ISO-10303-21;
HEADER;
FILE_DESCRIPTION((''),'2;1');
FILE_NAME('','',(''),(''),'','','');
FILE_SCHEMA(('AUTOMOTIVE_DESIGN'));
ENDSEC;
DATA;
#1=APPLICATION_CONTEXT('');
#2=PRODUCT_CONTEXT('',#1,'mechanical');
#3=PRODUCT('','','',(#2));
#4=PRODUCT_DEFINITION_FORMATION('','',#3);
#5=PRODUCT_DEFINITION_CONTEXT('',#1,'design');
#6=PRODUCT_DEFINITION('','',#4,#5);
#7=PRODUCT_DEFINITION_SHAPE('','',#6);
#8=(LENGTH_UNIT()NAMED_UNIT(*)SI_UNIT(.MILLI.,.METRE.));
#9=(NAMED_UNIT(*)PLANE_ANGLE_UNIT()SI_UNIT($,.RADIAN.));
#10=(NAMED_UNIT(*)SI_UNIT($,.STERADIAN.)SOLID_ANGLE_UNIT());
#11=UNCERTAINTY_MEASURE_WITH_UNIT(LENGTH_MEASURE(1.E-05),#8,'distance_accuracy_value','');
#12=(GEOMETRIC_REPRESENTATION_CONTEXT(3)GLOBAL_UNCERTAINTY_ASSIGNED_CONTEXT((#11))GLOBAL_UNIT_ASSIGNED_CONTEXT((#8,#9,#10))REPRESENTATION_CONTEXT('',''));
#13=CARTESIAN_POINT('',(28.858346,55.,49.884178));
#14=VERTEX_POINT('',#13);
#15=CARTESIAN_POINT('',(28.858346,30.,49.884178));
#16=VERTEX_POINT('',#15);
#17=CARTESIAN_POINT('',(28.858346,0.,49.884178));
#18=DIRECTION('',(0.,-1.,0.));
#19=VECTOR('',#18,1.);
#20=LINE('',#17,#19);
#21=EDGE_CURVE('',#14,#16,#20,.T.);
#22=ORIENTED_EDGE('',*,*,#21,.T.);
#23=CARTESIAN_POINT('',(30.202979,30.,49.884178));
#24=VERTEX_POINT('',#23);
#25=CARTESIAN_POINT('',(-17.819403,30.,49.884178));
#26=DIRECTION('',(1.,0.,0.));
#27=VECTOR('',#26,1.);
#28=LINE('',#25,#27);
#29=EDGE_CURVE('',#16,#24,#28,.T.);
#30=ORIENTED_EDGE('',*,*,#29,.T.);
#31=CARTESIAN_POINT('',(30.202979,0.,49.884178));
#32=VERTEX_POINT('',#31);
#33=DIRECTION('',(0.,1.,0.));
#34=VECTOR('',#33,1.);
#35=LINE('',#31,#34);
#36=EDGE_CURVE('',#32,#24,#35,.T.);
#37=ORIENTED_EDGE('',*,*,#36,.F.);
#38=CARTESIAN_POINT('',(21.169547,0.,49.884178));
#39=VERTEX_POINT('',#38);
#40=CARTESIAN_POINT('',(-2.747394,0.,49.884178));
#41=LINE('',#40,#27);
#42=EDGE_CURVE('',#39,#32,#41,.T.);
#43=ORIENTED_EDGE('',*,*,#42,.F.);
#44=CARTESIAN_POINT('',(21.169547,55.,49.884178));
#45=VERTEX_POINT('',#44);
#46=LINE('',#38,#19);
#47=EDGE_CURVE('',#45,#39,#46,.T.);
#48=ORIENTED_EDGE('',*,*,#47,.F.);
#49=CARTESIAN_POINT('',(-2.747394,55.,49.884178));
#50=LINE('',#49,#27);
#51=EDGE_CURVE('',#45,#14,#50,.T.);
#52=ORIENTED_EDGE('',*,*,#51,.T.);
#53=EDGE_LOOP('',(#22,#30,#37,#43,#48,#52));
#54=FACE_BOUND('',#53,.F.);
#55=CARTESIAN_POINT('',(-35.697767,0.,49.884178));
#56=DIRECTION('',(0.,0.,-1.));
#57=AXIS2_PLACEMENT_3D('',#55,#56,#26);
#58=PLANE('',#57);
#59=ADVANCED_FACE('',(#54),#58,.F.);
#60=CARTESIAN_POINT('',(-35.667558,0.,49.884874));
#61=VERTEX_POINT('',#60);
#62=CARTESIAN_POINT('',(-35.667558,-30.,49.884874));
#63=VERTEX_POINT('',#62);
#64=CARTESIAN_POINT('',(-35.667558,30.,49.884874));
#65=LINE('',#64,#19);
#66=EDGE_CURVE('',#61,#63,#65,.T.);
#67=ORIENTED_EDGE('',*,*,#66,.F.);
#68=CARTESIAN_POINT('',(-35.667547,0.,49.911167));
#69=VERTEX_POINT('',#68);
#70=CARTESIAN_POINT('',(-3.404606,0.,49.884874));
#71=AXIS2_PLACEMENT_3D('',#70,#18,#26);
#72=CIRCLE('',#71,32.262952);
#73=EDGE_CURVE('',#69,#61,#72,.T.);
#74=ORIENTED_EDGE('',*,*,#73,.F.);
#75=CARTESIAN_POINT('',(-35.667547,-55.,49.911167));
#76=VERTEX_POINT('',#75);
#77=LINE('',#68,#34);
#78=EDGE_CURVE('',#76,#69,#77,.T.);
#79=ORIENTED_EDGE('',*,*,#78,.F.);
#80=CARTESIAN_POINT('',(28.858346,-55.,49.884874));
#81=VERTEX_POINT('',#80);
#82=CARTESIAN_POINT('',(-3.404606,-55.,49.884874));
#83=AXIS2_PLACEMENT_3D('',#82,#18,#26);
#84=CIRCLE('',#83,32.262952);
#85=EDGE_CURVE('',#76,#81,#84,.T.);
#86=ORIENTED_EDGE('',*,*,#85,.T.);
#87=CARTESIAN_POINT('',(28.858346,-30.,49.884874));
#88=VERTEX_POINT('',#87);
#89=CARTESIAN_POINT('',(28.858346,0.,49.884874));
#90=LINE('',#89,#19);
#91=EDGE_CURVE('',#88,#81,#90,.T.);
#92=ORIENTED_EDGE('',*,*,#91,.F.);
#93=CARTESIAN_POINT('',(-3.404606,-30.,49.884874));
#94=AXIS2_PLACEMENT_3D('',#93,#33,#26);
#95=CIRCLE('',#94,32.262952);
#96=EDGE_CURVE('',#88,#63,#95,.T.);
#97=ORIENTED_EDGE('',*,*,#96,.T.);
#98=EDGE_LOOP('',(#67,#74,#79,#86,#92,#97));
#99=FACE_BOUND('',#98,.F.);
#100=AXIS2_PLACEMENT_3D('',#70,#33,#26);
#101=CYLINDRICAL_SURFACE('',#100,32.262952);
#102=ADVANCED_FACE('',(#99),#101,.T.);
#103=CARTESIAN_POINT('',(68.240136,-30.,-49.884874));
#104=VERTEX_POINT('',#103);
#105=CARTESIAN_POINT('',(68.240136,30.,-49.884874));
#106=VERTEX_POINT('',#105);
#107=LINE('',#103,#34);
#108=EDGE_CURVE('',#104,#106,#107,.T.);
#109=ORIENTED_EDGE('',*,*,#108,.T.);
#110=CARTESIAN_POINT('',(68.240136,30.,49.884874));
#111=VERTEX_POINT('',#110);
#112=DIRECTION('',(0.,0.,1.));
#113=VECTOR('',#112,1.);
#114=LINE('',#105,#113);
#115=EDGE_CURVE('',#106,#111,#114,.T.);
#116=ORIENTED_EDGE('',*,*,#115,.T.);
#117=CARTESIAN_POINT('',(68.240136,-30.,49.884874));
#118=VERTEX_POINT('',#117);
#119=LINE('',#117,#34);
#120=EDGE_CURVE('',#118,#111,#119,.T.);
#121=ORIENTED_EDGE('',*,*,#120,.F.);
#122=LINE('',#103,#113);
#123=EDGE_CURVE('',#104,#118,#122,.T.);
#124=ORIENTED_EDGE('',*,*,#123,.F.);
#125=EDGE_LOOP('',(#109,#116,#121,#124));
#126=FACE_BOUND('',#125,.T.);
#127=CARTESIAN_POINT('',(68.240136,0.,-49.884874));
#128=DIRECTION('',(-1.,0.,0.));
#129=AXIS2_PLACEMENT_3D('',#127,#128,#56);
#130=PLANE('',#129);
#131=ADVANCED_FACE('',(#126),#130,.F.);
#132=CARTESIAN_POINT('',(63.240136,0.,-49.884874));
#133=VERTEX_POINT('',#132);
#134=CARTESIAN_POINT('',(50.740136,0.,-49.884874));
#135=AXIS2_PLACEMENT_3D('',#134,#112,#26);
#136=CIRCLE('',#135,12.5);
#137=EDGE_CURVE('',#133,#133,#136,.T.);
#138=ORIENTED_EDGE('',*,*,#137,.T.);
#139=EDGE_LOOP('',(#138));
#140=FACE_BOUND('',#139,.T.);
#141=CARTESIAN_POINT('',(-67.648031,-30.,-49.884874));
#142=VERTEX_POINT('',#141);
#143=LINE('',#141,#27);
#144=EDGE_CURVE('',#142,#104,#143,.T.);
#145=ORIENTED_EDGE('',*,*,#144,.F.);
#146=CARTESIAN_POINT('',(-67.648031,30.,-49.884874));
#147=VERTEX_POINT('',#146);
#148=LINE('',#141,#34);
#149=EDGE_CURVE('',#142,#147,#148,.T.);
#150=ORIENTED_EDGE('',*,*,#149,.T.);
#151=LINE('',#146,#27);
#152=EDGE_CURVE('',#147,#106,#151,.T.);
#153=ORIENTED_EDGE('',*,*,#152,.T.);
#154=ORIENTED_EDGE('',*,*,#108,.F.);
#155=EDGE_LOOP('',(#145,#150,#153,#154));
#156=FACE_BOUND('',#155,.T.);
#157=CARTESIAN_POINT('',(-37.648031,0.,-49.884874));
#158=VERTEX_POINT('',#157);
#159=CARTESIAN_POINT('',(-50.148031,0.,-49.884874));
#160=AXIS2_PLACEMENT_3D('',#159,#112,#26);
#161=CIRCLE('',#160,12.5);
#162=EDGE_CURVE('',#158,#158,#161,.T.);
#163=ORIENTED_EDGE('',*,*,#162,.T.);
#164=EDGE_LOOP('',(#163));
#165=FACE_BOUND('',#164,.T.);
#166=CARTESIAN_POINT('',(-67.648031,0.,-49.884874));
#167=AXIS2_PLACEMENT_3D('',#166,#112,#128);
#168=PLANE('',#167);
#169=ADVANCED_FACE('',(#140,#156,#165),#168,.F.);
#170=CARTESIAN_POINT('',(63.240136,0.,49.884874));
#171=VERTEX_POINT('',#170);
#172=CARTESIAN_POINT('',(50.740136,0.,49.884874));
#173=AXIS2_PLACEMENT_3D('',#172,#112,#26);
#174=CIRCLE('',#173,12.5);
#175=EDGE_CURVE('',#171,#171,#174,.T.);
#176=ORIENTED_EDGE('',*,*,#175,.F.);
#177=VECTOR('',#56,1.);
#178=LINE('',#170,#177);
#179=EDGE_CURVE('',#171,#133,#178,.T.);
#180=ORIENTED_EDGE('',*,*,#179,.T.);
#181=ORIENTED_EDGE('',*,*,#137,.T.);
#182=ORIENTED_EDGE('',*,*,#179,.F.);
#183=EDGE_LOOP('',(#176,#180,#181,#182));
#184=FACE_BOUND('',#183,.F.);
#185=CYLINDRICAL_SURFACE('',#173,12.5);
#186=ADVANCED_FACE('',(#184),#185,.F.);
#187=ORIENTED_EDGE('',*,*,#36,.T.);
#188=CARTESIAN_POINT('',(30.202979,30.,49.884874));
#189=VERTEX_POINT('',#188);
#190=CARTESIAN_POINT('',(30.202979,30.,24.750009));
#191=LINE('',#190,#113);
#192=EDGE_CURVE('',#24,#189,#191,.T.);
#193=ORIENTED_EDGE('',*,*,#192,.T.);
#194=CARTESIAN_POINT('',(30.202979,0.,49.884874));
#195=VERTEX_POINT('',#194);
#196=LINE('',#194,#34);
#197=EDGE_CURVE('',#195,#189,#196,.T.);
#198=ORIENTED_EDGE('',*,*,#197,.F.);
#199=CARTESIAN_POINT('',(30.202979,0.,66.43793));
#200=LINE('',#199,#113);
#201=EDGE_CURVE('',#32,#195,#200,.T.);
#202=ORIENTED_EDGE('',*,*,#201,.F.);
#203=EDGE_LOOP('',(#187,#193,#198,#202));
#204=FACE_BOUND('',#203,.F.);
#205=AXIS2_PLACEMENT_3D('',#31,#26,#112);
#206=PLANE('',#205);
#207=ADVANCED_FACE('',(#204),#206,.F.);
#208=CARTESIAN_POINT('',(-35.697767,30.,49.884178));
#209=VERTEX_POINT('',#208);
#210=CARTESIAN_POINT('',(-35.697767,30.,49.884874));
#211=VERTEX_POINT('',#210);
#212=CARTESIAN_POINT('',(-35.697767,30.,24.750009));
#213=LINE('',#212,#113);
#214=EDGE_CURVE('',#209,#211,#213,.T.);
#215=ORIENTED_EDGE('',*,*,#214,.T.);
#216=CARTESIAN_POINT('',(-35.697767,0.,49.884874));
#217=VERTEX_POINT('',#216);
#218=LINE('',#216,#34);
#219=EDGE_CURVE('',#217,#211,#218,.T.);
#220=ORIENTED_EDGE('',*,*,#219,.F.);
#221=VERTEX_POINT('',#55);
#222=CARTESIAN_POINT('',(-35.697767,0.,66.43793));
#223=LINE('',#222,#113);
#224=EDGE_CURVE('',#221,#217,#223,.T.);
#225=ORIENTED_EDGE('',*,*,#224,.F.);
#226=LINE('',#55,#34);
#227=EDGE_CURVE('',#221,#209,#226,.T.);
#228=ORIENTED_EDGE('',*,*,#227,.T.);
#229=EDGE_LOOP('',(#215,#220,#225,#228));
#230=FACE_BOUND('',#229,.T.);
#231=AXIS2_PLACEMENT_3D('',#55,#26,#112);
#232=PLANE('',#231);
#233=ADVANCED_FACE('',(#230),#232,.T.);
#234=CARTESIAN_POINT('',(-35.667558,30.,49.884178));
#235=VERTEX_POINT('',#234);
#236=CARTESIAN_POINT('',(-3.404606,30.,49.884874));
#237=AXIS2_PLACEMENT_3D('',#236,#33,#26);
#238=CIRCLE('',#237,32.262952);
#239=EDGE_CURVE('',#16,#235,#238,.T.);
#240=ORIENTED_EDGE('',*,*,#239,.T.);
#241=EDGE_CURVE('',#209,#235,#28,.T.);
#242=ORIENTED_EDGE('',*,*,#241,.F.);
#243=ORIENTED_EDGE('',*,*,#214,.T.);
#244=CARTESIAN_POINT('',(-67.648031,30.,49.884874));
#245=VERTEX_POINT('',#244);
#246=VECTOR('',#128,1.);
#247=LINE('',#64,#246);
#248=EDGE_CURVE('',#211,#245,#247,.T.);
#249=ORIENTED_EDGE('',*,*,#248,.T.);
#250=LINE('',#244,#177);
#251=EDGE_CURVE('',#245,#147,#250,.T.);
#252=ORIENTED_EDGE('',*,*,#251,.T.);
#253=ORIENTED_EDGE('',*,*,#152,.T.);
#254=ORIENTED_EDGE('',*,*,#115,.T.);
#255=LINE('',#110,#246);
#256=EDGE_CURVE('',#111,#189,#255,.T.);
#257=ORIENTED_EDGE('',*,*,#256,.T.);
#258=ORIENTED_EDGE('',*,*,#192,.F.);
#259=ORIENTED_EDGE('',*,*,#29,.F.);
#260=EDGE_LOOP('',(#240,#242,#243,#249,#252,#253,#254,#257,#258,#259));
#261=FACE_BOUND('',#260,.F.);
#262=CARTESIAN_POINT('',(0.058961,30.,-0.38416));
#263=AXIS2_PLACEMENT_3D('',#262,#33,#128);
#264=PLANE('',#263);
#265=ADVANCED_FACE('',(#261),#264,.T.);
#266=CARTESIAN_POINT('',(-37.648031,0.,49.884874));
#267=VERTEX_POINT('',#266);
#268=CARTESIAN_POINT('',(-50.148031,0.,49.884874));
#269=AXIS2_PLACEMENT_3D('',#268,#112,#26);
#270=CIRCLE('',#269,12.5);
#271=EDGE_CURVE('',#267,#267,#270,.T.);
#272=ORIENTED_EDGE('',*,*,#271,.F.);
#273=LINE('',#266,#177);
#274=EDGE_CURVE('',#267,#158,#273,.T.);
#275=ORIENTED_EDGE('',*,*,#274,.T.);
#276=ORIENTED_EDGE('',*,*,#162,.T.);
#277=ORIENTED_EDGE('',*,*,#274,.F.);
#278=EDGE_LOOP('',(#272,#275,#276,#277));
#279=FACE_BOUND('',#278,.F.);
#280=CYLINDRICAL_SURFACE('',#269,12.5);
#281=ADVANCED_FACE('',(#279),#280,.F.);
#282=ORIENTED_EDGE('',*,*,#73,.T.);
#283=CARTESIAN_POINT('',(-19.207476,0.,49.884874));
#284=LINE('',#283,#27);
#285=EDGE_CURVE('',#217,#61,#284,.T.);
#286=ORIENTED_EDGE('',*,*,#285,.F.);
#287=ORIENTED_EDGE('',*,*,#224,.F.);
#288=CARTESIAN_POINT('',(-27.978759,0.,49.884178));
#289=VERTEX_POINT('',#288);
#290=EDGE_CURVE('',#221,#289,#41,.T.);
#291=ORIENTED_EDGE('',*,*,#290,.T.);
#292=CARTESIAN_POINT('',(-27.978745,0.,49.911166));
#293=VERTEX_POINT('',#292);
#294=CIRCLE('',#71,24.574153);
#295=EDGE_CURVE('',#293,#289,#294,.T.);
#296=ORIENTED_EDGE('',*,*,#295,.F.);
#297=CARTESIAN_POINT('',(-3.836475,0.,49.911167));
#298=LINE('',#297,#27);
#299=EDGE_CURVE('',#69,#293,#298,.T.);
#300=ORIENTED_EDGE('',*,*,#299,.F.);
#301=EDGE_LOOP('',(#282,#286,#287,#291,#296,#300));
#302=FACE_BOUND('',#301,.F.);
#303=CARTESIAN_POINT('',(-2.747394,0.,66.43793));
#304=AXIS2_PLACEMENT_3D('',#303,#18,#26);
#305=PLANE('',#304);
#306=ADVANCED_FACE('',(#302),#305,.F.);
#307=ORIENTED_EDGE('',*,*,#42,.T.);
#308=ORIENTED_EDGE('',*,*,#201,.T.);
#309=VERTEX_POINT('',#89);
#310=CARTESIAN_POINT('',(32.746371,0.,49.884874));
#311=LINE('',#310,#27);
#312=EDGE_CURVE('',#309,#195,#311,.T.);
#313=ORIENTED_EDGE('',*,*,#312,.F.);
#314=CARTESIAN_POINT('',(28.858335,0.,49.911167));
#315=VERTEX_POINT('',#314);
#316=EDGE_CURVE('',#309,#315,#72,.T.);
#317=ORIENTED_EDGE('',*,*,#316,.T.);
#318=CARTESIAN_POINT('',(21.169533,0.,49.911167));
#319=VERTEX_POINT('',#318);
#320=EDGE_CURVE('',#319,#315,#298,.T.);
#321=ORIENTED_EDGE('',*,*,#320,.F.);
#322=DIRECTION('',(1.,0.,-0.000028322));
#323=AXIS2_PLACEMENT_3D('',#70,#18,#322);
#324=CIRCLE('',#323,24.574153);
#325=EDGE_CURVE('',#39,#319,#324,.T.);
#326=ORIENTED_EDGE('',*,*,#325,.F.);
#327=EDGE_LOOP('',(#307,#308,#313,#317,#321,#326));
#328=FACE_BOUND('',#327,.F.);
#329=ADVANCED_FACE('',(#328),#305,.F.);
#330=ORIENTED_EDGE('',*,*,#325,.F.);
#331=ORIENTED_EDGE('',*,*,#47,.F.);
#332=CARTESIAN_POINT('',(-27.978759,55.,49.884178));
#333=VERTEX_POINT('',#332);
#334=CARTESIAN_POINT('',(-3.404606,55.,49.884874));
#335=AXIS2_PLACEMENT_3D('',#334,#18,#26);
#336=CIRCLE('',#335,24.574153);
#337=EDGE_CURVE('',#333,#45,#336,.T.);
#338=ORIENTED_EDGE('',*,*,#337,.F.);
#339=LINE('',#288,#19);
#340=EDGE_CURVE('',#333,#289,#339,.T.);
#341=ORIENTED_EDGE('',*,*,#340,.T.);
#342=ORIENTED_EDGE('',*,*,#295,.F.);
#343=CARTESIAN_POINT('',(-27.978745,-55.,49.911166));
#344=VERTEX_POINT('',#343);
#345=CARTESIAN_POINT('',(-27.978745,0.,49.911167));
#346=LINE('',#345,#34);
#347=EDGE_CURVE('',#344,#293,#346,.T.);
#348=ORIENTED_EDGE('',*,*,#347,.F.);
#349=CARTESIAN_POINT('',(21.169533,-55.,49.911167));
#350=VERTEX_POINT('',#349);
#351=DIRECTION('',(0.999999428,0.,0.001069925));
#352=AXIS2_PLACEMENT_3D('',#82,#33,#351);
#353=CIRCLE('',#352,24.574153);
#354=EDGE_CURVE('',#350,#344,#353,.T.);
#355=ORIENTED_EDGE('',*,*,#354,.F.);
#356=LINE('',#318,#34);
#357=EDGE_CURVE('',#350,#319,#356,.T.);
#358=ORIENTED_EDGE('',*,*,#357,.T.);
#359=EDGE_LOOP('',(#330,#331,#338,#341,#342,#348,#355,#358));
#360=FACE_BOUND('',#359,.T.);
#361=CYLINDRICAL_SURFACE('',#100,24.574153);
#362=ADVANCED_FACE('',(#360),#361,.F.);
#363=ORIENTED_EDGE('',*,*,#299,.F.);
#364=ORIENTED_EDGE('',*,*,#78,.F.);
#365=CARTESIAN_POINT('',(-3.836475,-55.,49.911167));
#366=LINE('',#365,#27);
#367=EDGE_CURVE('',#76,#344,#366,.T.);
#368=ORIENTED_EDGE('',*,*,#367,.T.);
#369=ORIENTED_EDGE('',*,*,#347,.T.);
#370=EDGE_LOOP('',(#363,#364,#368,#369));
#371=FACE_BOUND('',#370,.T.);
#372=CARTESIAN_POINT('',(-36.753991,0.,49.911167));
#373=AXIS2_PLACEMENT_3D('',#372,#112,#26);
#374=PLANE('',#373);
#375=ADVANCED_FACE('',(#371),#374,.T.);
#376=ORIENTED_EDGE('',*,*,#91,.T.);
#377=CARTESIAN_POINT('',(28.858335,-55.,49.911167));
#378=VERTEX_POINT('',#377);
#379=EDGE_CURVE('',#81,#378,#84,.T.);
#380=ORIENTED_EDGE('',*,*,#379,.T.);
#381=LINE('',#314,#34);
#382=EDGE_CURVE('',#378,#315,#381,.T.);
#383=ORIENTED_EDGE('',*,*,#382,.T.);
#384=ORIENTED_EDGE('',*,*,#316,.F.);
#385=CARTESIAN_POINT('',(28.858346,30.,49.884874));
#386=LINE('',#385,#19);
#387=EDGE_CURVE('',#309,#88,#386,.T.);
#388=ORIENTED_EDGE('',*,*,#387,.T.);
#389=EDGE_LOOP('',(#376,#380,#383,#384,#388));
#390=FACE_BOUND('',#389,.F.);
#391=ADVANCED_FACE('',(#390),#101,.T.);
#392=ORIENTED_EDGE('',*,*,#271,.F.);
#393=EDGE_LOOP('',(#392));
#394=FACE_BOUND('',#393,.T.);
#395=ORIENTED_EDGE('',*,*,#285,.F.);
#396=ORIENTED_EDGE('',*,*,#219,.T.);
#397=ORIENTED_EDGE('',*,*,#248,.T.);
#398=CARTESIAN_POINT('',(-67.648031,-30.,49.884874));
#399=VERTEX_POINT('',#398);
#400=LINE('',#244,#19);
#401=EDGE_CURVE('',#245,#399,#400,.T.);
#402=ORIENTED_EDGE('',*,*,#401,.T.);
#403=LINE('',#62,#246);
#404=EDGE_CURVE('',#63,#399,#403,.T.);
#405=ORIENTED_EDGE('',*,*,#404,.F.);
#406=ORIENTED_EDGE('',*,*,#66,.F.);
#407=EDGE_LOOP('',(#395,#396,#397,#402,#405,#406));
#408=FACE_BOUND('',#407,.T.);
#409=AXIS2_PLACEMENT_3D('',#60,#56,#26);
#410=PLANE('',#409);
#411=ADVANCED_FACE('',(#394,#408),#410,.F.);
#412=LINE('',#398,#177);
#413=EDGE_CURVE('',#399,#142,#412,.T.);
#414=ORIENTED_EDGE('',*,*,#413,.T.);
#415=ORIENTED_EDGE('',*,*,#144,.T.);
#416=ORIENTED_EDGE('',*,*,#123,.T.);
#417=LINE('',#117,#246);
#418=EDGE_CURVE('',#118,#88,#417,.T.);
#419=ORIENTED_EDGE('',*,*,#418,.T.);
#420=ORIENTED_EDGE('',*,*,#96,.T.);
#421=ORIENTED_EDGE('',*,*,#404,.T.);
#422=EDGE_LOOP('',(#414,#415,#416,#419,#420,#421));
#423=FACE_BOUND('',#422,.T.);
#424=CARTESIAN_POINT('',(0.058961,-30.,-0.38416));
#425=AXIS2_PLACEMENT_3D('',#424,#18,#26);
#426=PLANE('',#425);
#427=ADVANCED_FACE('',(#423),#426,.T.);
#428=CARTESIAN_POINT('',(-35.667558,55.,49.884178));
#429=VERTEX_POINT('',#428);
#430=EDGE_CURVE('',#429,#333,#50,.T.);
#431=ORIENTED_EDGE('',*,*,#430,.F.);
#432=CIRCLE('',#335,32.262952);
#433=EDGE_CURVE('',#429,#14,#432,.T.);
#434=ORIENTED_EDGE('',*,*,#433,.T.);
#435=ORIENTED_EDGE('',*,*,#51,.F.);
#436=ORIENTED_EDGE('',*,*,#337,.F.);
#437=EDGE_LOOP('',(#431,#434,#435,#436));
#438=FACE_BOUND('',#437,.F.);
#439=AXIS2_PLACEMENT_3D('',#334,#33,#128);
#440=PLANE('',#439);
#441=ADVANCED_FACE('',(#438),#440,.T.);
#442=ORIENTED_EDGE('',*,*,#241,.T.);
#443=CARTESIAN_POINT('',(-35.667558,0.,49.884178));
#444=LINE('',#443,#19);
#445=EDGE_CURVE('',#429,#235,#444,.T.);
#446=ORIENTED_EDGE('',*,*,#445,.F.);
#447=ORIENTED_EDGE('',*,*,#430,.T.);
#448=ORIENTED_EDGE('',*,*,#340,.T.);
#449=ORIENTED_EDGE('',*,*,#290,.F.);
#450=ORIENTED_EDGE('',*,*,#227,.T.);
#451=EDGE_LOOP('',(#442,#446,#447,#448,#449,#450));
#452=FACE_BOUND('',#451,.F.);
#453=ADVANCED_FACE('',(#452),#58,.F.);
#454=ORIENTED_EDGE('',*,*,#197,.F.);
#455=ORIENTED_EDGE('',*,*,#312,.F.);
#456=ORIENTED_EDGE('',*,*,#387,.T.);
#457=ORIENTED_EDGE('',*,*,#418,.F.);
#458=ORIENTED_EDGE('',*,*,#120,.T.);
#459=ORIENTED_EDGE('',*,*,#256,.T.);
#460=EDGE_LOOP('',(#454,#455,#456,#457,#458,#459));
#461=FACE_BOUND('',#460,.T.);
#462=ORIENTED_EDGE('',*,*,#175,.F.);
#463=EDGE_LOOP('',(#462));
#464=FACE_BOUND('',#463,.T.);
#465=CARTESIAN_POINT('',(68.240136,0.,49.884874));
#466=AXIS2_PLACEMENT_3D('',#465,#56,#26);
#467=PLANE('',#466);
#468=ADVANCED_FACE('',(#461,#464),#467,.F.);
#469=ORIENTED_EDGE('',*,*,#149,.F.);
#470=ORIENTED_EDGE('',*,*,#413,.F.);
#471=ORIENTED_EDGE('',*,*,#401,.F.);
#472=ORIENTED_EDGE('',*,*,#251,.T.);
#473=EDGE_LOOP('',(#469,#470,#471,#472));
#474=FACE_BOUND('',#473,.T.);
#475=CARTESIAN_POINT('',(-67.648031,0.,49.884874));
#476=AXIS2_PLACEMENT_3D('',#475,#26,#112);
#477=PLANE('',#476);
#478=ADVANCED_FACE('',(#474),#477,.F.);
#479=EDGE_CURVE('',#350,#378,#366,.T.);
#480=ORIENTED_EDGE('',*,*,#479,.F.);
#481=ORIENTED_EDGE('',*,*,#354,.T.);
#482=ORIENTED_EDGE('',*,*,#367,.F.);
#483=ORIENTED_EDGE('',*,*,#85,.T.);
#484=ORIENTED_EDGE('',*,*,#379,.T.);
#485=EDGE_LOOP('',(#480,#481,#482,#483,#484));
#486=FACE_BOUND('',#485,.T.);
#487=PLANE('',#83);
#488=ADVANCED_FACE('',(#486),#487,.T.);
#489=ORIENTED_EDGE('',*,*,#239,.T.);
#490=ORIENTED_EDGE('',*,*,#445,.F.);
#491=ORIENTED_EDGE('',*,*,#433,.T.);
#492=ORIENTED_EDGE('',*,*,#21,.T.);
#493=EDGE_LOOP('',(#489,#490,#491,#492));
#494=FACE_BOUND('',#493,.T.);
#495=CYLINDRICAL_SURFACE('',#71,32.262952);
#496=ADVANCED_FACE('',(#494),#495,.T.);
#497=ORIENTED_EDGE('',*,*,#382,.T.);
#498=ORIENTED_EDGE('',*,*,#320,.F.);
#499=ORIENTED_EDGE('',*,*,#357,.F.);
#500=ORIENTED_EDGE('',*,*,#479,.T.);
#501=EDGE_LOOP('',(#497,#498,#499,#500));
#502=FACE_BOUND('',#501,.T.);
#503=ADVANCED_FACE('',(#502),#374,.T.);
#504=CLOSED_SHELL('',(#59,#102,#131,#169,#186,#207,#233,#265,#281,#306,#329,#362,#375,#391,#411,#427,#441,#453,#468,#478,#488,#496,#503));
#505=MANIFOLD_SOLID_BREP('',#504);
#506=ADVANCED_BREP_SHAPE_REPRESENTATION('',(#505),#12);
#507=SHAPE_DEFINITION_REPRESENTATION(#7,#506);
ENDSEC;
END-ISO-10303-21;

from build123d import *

# Parameters (mm, degrees)
F2_DEPTH  = 30
F1_R      = 32.262952
F1_R_2    = 24.574153
F4_DEPTH  = 55
F6_W      = 65.900745
F6_H      = 33.107504
F7_DEPTH  = 55
F8_W      = 65.835031
F8_H      = 35.700139
F9_DEPTH  = 55
F10_R     = 12.5
F11_DEPTH = 100
F12_R     = 12.5
F13_DEPTH = 100


with BuildPart() as f2:
    # F1 (on face) → F2 (new body)
    with BuildSketch(Plane.XZ):
        with BuildLine():
            Line((68.240136, 49.884874), (28.858346, 49.884874))
            ThreePointArc((28.858346, 49.884874), (-3.404606, 17.621922), (-35.667558, 49.884874))
            Line((-35.667558, 49.884874), (-67.648031, 49.884874))
            Line((-67.648031, 49.884874), (-67.648031, -49.884874))
            Line((-67.648031, -49.884874), (68.240136, -49.884874))
            Line((68.240136, -49.884874), (68.240136, 49.884874))
        make_face()
    extrude(amount=F2_DEPTH)

    # F3: F2 across face


with BuildPart() as f2_1:
    add(f2.part)
    add(f2.part.mirror(Plane(origin=(0.803557, 0, -4.963344), x_dir=(1, 0, 0), z_dir=(0, 1, 0))))

    # F1 (on face) → F4 (join)
    with BuildSketch(Plane.XZ):
        with Locations((-3.404606, 49.884874)):
            Circle(F1_R)
        with Locations((-3.404606, 49.884874)):
            Circle(F1_R_2, mode=Mode.SUBTRACT)
    extrude(amount=F4_DEPTH)

    # F5: F2 across face


with BuildPart() as f2_2:
    add(f2_1.part)
    add(f2_1.part.mirror(Plane(origin=(-3.404606, 0, 49.884874), x_dir=(1, 0, 0), z_dir=(0, 1, 0))))

    # F6 (on Front) → F7 (cut)
    with BuildSketch(Plane.XZ):
        with Locations((-2.747394, 66.43793)):
            Rectangle(F6_W, F6_H)
    extrude(amount=-F7_DEPTH, mode=Mode.SUBTRACT)

    # F8 (on Front) → F9 (cut)
    with BuildSketch(Plane.XZ):
        with Locations((-3.836475, 67.761236)):
            Rectangle(F8_W, F8_H)
    extrude(amount=F9_DEPTH, mode=Mode.SUBTRACT)

    # F10 (on face) → F11 (cut)
    with BuildSketch(Plane.XY.offset(49.884874)):
        with Locations((-50.148031, 0)):
            Circle(F10_R)
    extrude(amount=-F11_DEPTH, mode=Mode.SUBTRACT)

    # F12 (on face) → F13 (cut)
    with BuildSketch(Plane.XY.offset(49.884874)):
        with Locations((50.740136, 0)):
            Circle(F12_R)
    extrude(amount=-F13_DEPTH, mode=Mode.SUBTRACT)


solid = f2_2.part
